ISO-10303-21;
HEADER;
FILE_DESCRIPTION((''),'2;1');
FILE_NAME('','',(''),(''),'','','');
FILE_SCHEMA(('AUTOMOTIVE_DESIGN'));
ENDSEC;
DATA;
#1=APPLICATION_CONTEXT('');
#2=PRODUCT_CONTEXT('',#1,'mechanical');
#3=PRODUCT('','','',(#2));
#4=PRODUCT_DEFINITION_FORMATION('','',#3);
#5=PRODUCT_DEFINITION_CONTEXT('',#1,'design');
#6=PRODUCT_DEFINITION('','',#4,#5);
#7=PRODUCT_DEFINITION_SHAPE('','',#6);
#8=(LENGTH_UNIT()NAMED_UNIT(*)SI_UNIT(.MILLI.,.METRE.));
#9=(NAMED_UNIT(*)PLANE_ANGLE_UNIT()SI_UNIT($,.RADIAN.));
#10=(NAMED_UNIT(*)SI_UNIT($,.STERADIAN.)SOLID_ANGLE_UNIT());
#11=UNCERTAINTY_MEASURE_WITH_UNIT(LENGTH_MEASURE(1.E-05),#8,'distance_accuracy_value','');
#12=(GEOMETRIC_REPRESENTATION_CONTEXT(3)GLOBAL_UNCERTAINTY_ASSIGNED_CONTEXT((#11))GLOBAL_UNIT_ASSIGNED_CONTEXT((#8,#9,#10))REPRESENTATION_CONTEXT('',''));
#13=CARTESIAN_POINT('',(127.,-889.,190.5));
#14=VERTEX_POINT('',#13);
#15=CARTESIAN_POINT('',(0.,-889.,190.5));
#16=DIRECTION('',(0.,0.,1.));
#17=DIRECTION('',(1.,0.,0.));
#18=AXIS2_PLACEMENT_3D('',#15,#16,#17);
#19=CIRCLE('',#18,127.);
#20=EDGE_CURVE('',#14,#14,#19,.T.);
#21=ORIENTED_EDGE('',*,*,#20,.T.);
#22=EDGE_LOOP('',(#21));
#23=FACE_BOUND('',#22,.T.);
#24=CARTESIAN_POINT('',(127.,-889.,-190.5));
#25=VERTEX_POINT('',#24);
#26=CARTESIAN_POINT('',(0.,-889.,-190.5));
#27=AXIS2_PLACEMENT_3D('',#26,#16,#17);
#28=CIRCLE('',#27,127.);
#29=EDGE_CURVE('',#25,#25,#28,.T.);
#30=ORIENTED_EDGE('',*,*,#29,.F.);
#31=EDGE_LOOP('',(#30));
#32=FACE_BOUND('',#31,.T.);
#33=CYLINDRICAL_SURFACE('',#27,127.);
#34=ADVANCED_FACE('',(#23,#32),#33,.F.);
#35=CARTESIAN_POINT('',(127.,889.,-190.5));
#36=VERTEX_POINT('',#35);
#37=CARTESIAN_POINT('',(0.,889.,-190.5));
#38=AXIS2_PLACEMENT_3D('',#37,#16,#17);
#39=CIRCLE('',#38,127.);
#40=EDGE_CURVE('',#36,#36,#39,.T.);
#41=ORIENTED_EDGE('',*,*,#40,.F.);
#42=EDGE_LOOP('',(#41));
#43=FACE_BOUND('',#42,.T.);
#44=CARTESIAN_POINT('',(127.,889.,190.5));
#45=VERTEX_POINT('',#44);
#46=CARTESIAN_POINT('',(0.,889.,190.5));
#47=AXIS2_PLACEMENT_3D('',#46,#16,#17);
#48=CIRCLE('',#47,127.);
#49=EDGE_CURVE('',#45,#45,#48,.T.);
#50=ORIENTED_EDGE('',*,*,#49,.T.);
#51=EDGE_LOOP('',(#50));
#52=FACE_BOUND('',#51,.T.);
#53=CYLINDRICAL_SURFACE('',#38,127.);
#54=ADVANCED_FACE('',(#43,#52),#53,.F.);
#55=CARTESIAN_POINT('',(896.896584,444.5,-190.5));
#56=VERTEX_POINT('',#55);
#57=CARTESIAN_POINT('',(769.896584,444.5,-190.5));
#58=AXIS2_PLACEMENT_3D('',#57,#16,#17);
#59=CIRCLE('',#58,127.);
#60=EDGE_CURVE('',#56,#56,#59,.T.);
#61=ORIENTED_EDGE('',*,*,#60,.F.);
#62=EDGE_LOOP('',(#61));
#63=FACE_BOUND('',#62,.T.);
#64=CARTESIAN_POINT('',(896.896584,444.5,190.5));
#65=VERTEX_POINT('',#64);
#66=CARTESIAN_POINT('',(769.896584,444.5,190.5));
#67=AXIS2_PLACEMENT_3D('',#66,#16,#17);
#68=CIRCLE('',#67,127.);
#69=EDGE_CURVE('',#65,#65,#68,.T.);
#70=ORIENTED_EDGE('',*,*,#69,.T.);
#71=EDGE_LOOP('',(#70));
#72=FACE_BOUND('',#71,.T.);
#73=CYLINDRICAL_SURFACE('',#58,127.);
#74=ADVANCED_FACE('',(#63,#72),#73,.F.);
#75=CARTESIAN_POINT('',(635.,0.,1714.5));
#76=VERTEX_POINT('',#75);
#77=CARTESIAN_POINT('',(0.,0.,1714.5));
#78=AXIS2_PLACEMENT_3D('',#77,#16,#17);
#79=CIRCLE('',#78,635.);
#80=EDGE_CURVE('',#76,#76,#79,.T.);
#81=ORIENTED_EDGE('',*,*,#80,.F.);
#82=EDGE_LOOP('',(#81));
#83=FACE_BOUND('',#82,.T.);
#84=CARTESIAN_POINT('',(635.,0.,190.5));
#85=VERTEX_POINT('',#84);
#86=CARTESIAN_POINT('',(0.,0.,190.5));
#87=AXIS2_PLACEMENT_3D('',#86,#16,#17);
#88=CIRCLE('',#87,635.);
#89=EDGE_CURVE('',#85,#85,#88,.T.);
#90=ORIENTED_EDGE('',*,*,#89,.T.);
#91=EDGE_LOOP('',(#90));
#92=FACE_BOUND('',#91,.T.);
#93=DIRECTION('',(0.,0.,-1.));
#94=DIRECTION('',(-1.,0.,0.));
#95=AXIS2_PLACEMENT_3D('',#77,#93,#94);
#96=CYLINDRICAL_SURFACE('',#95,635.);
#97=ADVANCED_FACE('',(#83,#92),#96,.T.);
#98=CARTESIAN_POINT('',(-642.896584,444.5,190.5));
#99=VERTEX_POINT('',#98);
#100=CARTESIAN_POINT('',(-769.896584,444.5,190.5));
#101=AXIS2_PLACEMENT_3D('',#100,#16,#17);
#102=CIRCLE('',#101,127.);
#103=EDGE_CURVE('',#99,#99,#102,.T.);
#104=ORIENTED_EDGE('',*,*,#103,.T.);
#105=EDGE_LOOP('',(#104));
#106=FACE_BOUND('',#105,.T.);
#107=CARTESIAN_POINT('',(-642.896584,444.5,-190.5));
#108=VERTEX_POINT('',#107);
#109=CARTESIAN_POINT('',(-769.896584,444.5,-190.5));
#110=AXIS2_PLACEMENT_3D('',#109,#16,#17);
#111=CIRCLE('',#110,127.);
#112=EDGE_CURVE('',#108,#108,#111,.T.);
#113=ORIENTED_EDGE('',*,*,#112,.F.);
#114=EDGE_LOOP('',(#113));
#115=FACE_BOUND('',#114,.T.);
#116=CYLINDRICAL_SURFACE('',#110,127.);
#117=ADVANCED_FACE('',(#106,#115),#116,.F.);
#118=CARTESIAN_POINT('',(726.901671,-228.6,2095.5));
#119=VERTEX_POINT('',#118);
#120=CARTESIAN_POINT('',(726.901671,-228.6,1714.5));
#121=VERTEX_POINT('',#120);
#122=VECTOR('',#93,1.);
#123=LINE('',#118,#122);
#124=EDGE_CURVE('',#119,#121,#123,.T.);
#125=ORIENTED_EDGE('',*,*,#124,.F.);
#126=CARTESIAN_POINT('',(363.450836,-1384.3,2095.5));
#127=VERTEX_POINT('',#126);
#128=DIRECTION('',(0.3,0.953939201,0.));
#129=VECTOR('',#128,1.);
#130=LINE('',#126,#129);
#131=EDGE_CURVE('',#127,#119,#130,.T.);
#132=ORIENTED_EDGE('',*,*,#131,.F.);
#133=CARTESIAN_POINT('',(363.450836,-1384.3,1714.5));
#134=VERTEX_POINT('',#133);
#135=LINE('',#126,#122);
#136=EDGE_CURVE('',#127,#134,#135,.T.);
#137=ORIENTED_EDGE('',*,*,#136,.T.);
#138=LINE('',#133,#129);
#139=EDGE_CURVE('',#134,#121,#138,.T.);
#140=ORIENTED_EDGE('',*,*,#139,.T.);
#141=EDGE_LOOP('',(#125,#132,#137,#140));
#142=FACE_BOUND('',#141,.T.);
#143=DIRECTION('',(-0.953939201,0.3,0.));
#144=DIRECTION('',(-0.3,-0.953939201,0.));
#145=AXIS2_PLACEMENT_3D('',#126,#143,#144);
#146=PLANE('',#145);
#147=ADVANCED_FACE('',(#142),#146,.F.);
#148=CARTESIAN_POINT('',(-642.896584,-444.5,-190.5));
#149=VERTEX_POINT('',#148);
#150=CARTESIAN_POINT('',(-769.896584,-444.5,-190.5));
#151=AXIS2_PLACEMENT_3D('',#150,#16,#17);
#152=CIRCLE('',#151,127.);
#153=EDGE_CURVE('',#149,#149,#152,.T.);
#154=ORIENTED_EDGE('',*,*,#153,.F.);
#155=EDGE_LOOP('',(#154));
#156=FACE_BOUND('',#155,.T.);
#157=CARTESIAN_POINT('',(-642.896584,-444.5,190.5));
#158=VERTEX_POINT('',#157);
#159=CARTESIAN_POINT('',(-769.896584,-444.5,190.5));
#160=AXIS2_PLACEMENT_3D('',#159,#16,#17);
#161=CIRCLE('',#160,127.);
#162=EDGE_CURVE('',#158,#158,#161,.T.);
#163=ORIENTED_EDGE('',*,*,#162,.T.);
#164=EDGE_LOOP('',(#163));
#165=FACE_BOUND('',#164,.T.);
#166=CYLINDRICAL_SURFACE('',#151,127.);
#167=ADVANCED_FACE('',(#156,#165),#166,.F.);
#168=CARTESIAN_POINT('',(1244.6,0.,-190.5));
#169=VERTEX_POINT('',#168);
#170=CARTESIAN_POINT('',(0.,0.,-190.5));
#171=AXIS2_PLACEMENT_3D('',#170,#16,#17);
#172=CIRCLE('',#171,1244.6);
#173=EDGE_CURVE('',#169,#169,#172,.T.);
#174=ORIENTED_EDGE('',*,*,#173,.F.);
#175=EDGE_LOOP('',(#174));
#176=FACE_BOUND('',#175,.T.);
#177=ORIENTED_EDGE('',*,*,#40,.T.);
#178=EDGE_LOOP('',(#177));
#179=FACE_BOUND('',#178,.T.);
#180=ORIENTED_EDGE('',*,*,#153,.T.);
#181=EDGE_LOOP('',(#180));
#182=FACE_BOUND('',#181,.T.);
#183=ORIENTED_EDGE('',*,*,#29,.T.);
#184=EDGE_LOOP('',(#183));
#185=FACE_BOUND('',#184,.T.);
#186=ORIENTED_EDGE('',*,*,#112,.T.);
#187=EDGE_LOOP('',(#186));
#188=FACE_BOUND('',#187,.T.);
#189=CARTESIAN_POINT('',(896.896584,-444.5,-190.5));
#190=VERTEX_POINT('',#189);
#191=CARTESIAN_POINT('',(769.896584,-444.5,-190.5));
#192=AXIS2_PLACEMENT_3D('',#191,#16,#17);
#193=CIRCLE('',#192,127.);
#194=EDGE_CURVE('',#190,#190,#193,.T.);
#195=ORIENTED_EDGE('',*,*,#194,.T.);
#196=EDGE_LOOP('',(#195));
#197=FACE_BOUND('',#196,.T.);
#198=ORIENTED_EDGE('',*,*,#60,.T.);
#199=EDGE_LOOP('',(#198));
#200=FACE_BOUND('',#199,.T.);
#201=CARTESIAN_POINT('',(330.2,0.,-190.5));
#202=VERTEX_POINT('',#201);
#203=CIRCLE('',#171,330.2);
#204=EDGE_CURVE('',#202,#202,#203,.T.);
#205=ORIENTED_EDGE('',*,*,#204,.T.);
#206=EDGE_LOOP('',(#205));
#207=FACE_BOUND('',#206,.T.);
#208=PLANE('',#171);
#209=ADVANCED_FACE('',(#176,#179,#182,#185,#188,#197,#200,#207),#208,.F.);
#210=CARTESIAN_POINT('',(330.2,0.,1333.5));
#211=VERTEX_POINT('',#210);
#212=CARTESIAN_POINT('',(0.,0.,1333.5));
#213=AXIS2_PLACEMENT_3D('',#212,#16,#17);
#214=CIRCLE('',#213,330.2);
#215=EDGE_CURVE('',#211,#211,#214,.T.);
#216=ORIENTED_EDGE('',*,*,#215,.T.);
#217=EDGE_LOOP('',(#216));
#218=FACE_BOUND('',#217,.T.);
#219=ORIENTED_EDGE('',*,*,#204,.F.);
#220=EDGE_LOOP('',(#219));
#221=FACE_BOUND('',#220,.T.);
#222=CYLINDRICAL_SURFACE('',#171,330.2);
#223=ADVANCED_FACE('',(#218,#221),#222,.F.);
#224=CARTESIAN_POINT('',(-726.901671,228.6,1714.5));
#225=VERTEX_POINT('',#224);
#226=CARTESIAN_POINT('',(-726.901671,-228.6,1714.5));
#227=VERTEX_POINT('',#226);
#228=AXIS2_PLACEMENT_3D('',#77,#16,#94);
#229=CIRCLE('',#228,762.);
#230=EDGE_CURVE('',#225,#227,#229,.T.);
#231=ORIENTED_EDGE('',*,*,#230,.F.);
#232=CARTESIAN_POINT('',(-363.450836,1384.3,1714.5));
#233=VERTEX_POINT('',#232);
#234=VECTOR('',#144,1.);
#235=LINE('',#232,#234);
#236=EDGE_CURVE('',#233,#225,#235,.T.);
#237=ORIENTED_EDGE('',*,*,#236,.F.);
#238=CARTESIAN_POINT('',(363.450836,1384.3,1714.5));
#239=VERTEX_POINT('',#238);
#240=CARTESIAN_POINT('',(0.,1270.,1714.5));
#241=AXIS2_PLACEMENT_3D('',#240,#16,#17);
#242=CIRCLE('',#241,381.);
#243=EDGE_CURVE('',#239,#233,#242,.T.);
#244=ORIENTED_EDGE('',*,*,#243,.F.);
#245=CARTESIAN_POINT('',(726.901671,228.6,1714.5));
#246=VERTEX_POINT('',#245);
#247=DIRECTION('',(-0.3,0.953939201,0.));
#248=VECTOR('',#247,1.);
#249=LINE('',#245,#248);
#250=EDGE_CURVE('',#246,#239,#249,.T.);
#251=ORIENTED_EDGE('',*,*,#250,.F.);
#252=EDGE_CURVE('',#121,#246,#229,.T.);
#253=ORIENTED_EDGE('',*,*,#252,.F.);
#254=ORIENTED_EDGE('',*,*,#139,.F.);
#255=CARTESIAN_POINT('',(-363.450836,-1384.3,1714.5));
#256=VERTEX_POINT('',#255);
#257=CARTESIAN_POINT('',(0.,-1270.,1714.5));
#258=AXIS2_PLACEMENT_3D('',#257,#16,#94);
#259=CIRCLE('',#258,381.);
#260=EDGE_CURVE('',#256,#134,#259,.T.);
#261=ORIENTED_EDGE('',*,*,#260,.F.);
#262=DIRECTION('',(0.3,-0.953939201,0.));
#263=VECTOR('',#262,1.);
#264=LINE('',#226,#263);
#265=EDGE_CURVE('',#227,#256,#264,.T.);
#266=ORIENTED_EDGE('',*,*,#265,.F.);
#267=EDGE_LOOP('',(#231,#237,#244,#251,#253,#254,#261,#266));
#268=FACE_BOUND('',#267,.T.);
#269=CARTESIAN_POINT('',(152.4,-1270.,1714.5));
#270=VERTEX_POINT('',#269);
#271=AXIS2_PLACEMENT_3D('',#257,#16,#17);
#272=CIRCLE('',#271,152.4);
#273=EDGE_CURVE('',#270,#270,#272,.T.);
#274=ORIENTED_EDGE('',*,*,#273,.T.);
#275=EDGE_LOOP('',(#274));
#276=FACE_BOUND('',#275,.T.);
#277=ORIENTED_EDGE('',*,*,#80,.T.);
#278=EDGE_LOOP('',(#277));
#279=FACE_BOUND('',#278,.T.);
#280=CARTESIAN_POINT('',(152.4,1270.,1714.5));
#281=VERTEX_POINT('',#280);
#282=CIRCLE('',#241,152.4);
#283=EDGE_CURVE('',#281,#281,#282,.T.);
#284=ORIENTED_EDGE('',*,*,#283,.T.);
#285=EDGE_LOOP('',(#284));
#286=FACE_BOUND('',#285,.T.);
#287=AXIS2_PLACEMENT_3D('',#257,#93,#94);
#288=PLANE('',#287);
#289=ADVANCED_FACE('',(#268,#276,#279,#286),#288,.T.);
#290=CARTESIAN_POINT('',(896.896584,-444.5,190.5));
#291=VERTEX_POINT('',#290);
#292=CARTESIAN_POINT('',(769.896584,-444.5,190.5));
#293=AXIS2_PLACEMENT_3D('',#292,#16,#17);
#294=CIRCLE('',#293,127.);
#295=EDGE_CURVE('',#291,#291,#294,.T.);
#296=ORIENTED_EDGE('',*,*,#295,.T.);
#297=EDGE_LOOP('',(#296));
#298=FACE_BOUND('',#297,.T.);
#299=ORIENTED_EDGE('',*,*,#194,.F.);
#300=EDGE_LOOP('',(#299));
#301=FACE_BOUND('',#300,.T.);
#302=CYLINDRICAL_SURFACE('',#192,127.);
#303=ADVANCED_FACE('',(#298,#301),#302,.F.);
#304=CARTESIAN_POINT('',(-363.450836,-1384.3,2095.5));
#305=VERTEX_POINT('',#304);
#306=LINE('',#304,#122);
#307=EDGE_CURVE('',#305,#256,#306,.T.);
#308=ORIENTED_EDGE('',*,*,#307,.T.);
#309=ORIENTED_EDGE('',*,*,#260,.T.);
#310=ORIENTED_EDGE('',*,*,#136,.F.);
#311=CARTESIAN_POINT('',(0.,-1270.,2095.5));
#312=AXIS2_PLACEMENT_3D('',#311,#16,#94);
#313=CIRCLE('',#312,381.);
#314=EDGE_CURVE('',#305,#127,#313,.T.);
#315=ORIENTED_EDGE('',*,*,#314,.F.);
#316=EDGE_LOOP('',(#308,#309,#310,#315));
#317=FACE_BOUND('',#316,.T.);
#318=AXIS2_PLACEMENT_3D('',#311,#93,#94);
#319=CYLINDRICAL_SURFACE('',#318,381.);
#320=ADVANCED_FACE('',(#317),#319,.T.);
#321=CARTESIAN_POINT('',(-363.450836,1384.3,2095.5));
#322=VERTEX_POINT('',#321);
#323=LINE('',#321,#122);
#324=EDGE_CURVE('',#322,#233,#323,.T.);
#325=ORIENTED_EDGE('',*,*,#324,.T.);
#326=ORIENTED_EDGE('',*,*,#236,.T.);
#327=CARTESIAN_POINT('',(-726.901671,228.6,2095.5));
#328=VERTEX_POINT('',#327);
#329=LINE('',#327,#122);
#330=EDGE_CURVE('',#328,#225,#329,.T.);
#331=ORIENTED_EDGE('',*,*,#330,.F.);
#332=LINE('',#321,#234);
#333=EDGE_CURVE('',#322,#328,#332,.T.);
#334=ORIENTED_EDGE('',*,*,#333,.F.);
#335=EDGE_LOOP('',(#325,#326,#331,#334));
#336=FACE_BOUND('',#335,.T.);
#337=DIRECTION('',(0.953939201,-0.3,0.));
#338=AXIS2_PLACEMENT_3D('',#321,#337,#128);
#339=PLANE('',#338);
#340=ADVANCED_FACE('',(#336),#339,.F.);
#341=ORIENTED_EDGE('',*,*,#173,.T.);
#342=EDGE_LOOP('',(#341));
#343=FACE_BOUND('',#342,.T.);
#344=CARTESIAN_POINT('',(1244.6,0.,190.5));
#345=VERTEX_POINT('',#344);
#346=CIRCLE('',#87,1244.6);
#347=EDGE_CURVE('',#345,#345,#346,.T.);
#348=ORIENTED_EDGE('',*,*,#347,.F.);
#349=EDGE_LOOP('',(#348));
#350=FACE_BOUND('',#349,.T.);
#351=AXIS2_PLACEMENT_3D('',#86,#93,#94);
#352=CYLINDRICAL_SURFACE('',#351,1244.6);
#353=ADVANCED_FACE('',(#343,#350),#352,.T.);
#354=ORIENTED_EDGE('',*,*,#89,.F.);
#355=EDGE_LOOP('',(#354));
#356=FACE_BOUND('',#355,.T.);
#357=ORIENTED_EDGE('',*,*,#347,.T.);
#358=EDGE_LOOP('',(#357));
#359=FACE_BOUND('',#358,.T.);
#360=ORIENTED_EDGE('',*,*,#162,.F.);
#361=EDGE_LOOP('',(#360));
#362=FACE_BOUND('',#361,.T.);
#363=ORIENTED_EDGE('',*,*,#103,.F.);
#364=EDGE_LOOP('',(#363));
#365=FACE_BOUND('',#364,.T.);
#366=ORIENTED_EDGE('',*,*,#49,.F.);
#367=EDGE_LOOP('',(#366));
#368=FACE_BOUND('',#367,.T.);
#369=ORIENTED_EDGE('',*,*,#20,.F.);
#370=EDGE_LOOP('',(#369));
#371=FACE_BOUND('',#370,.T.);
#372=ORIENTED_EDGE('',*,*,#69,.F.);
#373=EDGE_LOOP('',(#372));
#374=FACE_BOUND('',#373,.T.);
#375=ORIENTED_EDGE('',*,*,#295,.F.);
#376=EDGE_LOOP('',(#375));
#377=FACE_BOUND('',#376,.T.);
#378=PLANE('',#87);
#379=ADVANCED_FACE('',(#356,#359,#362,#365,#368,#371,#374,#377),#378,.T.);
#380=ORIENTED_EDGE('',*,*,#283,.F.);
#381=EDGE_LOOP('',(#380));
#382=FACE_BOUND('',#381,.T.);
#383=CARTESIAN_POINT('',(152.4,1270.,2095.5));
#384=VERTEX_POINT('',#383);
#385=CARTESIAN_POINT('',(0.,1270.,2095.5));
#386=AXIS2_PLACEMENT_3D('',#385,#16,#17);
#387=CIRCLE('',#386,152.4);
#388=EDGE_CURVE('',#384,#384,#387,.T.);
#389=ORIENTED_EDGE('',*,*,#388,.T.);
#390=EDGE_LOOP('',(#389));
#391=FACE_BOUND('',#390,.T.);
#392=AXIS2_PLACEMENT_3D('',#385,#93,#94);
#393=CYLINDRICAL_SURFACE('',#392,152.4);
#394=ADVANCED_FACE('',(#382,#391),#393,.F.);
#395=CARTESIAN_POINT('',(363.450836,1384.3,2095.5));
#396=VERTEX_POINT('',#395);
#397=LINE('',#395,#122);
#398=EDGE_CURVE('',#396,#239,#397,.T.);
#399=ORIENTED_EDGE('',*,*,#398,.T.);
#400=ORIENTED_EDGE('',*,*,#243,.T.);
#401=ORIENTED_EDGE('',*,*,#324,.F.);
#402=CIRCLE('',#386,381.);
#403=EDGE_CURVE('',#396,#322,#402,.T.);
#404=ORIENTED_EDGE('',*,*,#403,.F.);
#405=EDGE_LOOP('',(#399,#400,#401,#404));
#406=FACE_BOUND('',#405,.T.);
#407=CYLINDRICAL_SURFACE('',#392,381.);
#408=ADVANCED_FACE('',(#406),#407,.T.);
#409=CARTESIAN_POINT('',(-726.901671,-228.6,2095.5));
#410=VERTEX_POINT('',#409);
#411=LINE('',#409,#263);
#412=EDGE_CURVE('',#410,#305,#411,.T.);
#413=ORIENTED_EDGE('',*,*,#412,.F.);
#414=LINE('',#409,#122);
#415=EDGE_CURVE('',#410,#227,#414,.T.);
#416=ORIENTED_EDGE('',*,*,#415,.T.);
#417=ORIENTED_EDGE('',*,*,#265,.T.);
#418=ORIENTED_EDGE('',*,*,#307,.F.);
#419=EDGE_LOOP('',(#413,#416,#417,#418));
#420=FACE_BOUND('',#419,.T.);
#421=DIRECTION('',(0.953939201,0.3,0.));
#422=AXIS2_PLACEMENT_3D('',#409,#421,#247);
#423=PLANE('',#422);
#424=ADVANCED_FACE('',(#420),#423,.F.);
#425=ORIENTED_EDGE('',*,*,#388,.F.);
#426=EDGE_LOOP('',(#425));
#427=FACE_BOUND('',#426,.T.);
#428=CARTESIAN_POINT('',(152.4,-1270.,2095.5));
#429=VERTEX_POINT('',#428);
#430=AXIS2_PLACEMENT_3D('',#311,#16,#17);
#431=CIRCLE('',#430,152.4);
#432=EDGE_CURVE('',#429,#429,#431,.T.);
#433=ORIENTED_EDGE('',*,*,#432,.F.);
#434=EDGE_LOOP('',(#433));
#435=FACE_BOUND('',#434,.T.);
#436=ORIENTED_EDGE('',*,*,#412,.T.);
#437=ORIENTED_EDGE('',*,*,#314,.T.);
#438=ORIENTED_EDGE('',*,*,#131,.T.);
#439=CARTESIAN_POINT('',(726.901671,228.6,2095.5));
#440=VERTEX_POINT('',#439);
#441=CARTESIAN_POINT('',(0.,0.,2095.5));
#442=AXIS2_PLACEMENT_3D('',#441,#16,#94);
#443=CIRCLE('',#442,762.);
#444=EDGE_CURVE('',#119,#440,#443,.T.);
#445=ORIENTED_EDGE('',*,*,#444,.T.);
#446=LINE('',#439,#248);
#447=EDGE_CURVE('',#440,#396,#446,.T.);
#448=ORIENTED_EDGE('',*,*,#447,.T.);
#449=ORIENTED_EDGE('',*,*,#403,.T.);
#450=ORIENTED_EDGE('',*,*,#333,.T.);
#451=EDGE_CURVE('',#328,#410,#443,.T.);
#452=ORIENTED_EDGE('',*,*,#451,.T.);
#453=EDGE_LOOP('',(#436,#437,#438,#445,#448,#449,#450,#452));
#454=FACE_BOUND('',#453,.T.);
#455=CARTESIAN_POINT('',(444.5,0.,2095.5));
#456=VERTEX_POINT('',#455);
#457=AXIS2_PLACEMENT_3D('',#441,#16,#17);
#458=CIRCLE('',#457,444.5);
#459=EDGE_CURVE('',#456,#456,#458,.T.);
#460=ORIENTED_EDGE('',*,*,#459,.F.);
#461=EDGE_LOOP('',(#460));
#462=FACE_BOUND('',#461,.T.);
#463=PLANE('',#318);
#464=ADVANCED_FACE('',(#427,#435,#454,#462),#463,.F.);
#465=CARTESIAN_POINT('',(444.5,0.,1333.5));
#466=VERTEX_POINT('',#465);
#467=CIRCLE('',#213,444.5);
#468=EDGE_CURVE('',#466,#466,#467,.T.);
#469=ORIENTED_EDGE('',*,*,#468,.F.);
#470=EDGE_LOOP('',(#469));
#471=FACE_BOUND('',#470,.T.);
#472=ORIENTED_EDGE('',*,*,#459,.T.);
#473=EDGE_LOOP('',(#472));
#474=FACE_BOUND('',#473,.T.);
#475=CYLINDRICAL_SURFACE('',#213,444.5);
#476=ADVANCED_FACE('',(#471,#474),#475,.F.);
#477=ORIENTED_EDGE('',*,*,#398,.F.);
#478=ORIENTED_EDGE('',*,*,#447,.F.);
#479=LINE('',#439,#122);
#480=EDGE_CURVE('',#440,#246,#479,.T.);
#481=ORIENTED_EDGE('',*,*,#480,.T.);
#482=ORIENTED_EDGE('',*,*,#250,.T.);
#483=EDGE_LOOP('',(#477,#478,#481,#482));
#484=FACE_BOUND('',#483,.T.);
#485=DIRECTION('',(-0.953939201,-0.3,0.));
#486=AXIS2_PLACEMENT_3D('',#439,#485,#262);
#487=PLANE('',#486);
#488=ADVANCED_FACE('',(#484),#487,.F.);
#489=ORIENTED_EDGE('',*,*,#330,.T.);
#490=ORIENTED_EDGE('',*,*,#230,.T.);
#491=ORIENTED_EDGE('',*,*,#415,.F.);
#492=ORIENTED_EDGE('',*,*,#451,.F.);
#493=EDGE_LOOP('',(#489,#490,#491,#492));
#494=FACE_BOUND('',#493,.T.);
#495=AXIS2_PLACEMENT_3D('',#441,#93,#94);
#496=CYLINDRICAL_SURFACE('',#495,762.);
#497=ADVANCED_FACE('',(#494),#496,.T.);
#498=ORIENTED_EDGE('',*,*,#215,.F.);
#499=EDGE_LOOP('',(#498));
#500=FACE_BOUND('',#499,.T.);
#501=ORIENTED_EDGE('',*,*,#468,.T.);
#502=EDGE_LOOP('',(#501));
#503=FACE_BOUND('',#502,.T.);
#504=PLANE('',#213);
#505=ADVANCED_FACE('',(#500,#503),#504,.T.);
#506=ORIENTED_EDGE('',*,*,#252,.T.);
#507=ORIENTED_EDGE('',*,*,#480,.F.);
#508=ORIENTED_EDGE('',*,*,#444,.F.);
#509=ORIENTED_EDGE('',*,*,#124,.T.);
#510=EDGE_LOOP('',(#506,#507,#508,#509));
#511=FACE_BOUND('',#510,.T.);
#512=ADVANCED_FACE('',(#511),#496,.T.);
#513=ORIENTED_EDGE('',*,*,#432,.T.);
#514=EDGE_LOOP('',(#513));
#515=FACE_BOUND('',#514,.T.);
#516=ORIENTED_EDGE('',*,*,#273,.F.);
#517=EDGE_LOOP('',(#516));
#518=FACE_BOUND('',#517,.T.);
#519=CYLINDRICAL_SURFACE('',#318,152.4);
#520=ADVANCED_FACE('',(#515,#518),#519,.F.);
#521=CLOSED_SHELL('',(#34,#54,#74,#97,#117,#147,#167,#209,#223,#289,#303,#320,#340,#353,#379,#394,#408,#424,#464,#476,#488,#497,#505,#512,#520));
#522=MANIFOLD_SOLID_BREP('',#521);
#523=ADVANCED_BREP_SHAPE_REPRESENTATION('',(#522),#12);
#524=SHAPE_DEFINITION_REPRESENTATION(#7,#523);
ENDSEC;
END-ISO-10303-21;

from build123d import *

# Parameters (mm, degrees)
SKETCH1_R           = 1244.6
BOSS_EXTRUDE1_DEPTH = 190.5
SKETCH2_R           = 127
CUT_EXTRUDE1_DEPTH  = 1801.894033529
SKETCH3_R           = 635
BOSS_EXTRUDE2_DEPTH = 1524
SKETCH5_R           = 152.4
BOSS_EXTRUDE3_DEPTH = 381
SKETCH6_R           = 444.5
BOSS_EXTRUDE4_DEPTH = 762
SKETCH7_R           = 444.5
CUT_EXTRUDE2_DEPTH  = 762
SKETCH8_R           = 330.2
CUT_EXTRUDE3_DEPTH  = 2569.541640698


with BuildPart() as part:
    # Sketch1 → Boss-Extrude1 (new, symmetric)
    with BuildSketch(Plane.XY):
        Circle(SKETCH1_R)
    extrude(amount=BOSS_EXTRUDE1_DEPTH, both=True)

    # Sketch2 → Cut-Extrude1 (cut, through all)
    with BuildSketch(Plane.XY.offset(190.5)):
        with Locations((0, 889)):
            Circle(SKETCH2_R)
        with Locations((769.896583964, 444.5)):
            Circle(SKETCH2_R)
        with Locations((769.896583964, -444.5)):
            Circle(SKETCH2_R)
        with Locations((0, -889)):
            Circle(SKETCH2_R)
        with Locations((-769.896583964, -444.5)):
            Circle(SKETCH2_R)
        with Locations((-769.896583964, 444.5)):
            Circle(SKETCH2_R)
    extrude(amount=-CUT_EXTRUDE1_DEPTH, mode=Mode.SUBTRACT)

    # Sketch3 → Boss-Extrude2 (add)
    with BuildSketch(Plane.XY.offset(190.5)):
        Circle(SKETCH3_R)
    extrude(amount=BOSS_EXTRUDE2_DEPTH)

    # Sketch5 → Boss-Extrude3 (add)
    with BuildSketch(Plane.XY.offset(1714.5)):
        with BuildLine():
            Line((-363.45083574, 1384.3), (-726.90167148, 228.6))
            ThreePointArc((-726.90167148, 228.6), (-762, 0), (-726.90167148, -228.6))
            Line((-726.90167148, -228.6), (-363.45083574, -1384.3))
            ThreePointArc((-363.45083574, -1384.3), (0, -1651), (363.45083574, -1384.3))
            Line((363.45083574, -1384.3), (726.90167148, -228.6))
            ThreePointArc((726.90167148, -228.6), (762, 0), (726.90167148, 228.6))
            Line((726.90167148, 228.6), (363.45083574, 1384.3))
            ThreePointArc((363.45083574, 1384.3), (0, 1651), (-363.45083574, 1384.3))
        make_face()
        with Locations((0, 1270)):
            Circle(SKETCH5_R, mode=Mode.SUBTRACT)
        with Locations((0, -1270)):
            Circle(SKETCH5_R, mode=Mode.SUBTRACT)
    extrude(amount=BOSS_EXTRUDE3_DEPTH)

    # Sketch6 → Boss-Extrude4 (add)
    with BuildSketch(Plane.XY.offset(2095.5)):
        Circle(SKETCH6_R)
    extrude(amount=-BOSS_EXTRUDE4_DEPTH)

    # Sketch7 → Cut-Extrude2 (cut)
    with BuildSketch(Plane.XY.offset(2095.5)):
        Circle(SKETCH7_R)
    extrude(amount=-CUT_EXTRUDE2_DEPTH, mode=Mode.SUBTRACT)

    # Sketch8 → Cut-Extrude3 (cut, through all)
    with BuildSketch(Plane.XY.offset(1333.5)):
        Circle(SKETCH8_R)
    extrude(amount=-CUT_EXTRUDE3_DEPTH, mode=Mode.SUBTRACT)


solid = part.part
